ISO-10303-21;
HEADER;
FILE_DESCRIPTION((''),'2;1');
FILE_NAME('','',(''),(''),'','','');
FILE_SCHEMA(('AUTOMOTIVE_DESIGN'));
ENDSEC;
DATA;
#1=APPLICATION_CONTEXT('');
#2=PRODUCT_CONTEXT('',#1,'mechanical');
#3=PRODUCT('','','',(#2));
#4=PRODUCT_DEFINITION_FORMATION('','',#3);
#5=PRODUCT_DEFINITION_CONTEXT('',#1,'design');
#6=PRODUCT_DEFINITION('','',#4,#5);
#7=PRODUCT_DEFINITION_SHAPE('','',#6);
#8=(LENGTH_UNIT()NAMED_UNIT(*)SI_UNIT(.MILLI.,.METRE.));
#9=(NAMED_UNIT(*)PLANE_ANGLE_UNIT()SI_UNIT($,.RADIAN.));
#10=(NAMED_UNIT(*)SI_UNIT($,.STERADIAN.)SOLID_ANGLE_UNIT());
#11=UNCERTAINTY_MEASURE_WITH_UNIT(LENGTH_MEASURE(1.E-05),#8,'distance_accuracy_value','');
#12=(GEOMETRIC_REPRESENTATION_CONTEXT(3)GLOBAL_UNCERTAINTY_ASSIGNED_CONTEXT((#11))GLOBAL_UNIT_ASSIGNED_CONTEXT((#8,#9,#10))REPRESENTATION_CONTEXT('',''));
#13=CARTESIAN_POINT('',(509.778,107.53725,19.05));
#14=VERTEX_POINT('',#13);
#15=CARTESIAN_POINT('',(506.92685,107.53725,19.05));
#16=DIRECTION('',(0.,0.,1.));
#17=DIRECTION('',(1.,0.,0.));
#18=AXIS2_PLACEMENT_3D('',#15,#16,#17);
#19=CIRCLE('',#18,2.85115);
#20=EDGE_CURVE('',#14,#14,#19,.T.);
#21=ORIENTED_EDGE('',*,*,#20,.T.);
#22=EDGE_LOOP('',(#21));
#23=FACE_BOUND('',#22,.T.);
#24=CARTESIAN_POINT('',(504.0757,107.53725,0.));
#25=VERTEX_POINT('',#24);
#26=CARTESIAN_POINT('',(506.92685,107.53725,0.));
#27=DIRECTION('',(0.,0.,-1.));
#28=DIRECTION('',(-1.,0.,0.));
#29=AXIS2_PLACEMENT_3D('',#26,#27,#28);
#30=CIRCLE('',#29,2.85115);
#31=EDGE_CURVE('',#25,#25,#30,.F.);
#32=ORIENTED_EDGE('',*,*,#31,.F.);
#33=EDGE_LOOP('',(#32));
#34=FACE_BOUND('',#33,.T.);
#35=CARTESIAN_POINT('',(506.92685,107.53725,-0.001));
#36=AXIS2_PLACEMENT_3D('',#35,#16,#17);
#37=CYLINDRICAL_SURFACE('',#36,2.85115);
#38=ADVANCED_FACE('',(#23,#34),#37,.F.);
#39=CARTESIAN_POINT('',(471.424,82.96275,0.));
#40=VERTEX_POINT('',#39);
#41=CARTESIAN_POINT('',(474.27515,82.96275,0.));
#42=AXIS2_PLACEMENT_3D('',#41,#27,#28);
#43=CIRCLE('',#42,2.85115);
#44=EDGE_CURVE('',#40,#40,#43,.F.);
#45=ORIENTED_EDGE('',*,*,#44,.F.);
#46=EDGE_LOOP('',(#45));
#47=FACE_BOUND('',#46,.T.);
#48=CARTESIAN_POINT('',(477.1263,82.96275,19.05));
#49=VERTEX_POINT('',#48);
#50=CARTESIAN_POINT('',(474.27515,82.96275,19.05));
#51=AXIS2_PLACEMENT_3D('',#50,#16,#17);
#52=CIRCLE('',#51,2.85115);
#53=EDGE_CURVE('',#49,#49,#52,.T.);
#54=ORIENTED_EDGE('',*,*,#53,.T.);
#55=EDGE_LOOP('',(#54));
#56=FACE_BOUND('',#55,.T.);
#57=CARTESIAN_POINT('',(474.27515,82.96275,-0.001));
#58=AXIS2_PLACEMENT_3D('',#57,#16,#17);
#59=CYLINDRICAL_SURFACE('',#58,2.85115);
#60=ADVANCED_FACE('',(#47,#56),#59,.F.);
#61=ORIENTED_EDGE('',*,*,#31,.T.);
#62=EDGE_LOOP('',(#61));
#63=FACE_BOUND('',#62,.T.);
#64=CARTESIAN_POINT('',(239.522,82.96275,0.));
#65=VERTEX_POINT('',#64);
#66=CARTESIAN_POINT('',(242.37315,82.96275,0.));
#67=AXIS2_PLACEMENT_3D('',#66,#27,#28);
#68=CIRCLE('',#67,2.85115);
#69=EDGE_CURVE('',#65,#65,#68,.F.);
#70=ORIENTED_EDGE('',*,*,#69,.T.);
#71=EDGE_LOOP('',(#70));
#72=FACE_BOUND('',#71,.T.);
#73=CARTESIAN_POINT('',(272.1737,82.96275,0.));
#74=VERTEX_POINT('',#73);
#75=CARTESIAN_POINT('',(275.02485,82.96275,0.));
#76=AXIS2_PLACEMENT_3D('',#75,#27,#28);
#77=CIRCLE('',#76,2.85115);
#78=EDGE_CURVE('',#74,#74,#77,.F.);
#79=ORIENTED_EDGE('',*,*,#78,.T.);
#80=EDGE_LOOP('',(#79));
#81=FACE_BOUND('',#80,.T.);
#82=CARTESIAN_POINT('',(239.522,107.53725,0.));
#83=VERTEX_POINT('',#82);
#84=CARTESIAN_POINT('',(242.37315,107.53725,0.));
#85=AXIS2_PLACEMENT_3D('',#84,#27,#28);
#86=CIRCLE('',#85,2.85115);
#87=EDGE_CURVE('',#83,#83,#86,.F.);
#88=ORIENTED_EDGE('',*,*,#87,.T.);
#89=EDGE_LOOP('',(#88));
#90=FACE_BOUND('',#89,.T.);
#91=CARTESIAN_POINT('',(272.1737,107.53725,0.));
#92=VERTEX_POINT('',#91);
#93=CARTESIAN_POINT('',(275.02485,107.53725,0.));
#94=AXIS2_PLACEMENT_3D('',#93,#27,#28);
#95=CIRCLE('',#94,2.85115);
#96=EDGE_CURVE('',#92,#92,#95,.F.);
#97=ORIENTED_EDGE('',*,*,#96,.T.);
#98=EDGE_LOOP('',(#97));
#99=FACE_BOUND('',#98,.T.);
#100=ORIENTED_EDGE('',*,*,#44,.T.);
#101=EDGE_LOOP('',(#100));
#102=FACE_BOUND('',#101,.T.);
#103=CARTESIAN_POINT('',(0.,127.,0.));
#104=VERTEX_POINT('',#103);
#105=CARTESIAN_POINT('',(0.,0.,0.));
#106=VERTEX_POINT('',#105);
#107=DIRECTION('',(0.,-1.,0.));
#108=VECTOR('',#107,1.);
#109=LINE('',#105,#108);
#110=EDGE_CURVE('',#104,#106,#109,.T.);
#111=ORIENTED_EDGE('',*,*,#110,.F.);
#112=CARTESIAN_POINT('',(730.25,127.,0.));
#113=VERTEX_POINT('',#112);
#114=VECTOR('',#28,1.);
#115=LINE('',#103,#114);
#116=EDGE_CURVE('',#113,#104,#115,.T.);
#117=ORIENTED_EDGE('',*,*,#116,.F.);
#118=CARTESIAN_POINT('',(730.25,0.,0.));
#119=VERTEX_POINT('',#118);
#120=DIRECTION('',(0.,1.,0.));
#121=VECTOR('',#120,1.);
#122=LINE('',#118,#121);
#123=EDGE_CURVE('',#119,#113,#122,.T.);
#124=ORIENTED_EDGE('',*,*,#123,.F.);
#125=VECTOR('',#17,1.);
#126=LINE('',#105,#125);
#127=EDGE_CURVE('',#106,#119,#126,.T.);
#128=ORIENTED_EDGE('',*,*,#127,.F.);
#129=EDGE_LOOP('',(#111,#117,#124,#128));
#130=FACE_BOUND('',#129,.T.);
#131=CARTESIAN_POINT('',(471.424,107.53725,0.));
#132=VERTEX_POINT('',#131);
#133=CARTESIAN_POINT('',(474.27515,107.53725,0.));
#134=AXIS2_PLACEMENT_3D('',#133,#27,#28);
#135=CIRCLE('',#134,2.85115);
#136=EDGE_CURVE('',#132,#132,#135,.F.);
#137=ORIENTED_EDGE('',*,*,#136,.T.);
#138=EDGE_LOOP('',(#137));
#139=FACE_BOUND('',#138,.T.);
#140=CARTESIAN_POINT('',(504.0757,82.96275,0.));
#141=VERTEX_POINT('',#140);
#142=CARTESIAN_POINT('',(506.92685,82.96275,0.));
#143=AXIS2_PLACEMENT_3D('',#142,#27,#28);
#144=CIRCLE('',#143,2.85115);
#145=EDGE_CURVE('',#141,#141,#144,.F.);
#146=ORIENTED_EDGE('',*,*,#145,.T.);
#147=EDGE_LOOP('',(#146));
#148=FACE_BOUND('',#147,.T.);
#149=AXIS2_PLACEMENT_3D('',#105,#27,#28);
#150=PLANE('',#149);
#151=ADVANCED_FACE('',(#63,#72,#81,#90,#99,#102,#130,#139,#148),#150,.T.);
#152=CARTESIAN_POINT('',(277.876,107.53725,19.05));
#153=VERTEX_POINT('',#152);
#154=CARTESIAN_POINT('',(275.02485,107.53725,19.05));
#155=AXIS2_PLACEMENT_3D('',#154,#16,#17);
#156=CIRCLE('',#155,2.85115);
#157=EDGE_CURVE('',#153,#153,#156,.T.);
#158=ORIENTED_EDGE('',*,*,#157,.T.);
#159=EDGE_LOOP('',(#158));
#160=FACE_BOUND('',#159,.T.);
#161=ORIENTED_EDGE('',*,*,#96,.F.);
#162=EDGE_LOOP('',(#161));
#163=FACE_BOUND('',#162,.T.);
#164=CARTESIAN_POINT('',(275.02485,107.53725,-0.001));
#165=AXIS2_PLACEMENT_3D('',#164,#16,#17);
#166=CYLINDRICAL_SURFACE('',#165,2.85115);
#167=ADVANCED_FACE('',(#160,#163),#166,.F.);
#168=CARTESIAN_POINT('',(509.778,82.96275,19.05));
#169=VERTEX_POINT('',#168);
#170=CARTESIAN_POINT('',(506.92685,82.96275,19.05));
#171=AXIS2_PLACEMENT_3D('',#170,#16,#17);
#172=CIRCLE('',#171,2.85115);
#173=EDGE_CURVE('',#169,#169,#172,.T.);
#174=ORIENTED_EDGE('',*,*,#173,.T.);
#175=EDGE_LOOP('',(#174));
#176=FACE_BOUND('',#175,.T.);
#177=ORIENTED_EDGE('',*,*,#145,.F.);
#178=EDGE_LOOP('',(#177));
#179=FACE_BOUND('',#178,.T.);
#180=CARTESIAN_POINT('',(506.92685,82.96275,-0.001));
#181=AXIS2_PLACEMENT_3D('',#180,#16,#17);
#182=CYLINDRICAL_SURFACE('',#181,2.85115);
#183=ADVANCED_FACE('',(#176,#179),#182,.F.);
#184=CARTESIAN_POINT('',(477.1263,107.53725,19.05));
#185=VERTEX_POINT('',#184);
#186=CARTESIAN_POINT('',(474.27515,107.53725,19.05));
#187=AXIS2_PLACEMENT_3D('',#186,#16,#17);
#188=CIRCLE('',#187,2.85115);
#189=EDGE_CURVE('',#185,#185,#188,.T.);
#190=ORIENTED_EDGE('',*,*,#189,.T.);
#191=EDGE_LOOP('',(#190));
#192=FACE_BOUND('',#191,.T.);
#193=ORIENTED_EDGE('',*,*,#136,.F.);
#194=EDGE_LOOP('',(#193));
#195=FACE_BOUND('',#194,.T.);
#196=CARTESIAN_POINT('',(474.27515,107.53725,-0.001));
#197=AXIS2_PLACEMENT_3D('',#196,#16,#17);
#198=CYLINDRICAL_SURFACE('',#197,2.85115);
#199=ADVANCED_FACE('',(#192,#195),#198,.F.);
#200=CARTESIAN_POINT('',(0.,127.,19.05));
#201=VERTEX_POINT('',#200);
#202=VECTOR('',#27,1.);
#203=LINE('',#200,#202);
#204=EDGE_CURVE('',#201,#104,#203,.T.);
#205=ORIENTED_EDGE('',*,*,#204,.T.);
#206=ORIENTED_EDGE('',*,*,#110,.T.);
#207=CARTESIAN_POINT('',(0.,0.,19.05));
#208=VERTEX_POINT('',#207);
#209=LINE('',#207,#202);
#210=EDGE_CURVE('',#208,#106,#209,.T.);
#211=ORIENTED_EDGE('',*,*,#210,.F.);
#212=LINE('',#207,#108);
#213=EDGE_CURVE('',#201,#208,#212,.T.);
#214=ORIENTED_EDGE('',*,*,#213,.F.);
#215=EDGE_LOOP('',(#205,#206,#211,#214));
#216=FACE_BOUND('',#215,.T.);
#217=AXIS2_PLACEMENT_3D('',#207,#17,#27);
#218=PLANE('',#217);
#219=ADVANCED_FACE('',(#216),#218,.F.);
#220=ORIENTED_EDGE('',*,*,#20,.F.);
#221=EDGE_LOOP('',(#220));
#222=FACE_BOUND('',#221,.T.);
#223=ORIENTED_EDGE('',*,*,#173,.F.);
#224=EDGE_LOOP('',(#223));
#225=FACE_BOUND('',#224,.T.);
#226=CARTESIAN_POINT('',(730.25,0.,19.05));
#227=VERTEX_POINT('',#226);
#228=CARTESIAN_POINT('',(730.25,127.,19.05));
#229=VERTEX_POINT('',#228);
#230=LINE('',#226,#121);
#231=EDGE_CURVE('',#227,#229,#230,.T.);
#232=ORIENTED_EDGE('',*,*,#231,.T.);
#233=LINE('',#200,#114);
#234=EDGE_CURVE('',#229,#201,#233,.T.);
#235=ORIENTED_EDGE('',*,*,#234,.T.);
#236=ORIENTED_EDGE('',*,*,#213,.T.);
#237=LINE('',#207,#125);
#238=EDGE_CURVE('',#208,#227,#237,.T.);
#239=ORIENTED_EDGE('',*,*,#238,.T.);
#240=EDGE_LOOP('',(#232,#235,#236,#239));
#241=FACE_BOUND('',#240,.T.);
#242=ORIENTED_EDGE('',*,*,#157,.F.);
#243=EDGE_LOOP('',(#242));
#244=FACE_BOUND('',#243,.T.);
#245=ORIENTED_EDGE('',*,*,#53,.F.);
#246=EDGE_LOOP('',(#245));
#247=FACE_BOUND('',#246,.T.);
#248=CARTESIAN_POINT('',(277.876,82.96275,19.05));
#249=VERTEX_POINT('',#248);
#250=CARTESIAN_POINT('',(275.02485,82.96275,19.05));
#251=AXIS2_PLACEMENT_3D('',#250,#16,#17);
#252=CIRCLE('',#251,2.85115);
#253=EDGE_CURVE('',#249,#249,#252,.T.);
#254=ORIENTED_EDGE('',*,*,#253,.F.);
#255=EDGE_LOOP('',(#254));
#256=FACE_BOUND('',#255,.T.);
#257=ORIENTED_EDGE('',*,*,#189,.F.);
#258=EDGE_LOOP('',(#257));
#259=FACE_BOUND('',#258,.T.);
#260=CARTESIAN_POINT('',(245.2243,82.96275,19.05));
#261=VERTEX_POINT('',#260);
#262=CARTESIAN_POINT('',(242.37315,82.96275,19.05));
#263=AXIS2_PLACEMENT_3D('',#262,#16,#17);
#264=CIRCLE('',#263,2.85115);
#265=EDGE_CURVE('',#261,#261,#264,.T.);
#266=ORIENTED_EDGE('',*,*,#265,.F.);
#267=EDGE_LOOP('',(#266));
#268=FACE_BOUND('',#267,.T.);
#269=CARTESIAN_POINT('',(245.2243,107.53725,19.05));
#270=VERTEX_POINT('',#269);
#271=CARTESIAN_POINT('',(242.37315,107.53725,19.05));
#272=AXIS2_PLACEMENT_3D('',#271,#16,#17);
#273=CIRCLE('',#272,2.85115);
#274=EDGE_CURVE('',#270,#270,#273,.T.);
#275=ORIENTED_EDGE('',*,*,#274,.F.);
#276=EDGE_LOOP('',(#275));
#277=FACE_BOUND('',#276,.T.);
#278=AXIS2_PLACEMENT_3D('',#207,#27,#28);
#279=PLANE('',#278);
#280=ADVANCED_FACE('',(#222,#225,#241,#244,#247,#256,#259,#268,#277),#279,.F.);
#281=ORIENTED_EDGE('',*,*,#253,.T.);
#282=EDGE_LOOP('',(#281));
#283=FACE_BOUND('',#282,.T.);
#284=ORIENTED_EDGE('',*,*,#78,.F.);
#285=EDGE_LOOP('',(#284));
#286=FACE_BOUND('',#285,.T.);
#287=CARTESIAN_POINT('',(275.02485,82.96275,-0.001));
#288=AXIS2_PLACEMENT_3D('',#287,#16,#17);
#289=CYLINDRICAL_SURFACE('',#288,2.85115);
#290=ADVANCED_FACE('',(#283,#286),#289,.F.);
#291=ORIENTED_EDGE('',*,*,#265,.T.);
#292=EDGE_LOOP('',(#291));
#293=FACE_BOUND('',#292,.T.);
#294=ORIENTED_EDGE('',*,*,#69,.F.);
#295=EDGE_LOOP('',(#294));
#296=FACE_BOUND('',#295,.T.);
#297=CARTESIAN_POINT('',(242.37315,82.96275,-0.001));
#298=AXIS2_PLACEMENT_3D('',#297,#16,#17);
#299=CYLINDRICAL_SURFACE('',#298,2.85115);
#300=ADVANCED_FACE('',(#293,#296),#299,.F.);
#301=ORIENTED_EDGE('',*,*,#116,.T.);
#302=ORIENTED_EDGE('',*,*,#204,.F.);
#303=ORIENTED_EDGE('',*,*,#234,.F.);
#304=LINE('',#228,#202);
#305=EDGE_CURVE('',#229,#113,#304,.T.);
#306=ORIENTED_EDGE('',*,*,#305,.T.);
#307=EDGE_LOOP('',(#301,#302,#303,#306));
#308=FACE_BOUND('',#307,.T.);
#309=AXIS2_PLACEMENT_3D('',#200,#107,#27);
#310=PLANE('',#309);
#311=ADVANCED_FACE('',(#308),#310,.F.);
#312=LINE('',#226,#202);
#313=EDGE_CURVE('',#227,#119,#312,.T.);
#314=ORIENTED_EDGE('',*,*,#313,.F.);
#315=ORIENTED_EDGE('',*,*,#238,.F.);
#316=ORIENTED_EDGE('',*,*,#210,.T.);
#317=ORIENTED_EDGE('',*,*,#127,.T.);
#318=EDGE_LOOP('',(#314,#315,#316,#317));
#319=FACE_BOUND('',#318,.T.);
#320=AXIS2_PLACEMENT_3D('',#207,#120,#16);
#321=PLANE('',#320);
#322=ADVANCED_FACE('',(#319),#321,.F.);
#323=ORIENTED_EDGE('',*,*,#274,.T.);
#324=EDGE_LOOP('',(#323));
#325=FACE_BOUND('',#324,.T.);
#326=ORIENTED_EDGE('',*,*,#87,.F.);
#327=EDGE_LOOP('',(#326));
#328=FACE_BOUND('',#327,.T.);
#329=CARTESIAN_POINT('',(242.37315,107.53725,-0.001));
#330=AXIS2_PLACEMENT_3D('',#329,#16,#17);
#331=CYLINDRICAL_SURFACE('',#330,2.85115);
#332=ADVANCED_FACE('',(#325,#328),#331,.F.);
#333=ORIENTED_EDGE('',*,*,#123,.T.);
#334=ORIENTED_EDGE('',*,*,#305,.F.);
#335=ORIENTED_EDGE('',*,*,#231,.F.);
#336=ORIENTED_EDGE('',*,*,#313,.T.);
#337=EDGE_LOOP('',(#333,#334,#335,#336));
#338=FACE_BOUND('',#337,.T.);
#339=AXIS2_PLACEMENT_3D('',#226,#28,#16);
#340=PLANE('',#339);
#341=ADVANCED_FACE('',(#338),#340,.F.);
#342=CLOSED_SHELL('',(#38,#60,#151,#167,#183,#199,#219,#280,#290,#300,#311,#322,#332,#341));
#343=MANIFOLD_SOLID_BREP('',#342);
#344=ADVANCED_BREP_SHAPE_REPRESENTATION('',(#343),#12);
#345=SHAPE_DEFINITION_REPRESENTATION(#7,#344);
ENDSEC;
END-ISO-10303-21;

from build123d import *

# Parameters (mm, degrees)
SKETCH1_W           = 730.25
SKETCH1_H           = 127
BOSS_EXTRUDE1_DEPTH = 19.05
CUT_EXTRUDE1_REACH  = 21.05
SKETCH2_R           = 2.85115


with BuildPart() as part:
    # Sketch1 → Boss-Extrude1 (new body)
    with BuildSketch(Plane.XY):
        with Locations((365.125, 63.5)):
            Rectangle(SKETCH1_W, SKETCH1_H)
    extrude(amount=BOSS_EXTRUDE1_DEPTH)

    # Sketch2 → Cut-Extrude1 (cut, up to next)
    with BuildSketch(Plane.XY.offset(19.05), mode=Mode.PRIVATE) as cut_extrude1_sk1:
        with Locations((242.37315, 82.96275)):
            Circle(SKETCH2_R)
    cut_extrude1_tool1 = extrude(cut_extrude1_sk1.sketch, amount=-CUT_EXTRUDE1_REACH, mode=Mode.PRIVATE) & part.part
    add(cut_extrude1_tool1.solids().sort_by_distance((242.37315, 82.96275, 19.05))[0], mode=Mode.SUBTRACT)
    # Sketch2 → Cut-Extrude1 (cut, up to next)
    with BuildSketch(Plane.XY.offset(19.05), mode=Mode.PRIVATE) as cut_extrude1_sk2:
        with Locations((242.37315, 107.53725)):
            Circle(SKETCH2_R)
    cut_extrude1_tool2 = extrude(cut_extrude1_sk2.sketch, amount=-CUT_EXTRUDE1_REACH, mode=Mode.PRIVATE) & part.part
    add(cut_extrude1_tool2.solids().sort_by_distance((242.37315, 107.53725, 19.05))[0], mode=Mode.SUBTRACT)
    # Sketch2 → Cut-Extrude1 (cut, up to next)
    with BuildSketch(Plane.XY.offset(19.05), mode=Mode.PRIVATE) as cut_extrude1_sk3:
        with Locations((275.02485, 107.53725)):
            Circle(SKETCH2_R)
    cut_extrude1_tool3 = extrude(cut_extrude1_sk3.sketch, amount=-CUT_EXTRUDE1_REACH, mode=Mode.PRIVATE) & part.part
    add(cut_extrude1_tool3.solids().sort_by_distance((275.02485, 107.53725, 19.05))[0], mode=Mode.SUBTRACT)
    # Sketch2 → Cut-Extrude1 (cut, up to next)
    with BuildSketch(Plane.XY.offset(19.05), mode=Mode.PRIVATE) as cut_extrude1_sk4:
        with Locations((275.02485, 82.96275)):
            Circle(SKETCH2_R)
    cut_extrude1_tool4 = extrude(cut_extrude1_sk4.sketch, amount=-CUT_EXTRUDE1_REACH, mode=Mode.PRIVATE) & part.part
    add(cut_extrude1_tool4.solids().sort_by_distance((275.02485, 82.96275, 19.05))[0], mode=Mode.SUBTRACT)
    # Sketch2 → Cut-Extrude1 (cut, up to next)
    with BuildSketch(Plane.XY.offset(19.05), mode=Mode.PRIVATE) as cut_extrude1_sk5:
        with Locations((474.27515, 82.96275)):
            Circle(SKETCH2_R)
    cut_extrude1_tool5 = extrude(cut_extrude1_sk5.sketch, amount=-CUT_EXTRUDE1_REACH, mode=Mode.PRIVATE) & part.part
    add(cut_extrude1_tool5.solids().sort_by_distance((474.27515, 82.96275, 19.05))[0], mode=Mode.SUBTRACT)
    # Sketch2 → Cut-Extrude1 (cut, up to next)
    with BuildSketch(Plane.XY.offset(19.05), mode=Mode.PRIVATE) as cut_extrude1_sk6:
        with Locations((474.27515, 107.53725)):
            Circle(SKETCH2_R)
    cut_extrude1_tool6 = extrude(cut_extrude1_sk6.sketch, amount=-CUT_EXTRUDE1_REACH, mode=Mode.PRIVATE) & part.part
    add(cut_extrude1_tool6.solids().sort_by_distance((474.27515, 107.53725, 19.05))[0], mode=Mode.SUBTRACT)
    # Sketch2 → Cut-Extrude1 (cut, up to next)
    with BuildSketch(Plane.XY.offset(19.05), mode=Mode.PRIVATE) as cut_extrude1_sk7:
        with Locations((506.92685, 107.53725)):
            Circle(SKETCH2_R)
    cut_extrude1_tool7 = extrude(cut_extrude1_sk7.sketch, amount=-CUT_EXTRUDE1_REACH, mode=Mode.PRIVATE) & part.part
    add(cut_extrude1_tool7.solids().sort_by_distance((506.92685, 107.53725, 19.05))[0], mode=Mode.SUBTRACT)
    # Sketch2 → Cut-Extrude1 (cut, up to next)
    with BuildSketch(Plane.XY.offset(19.05), mode=Mode.PRIVATE) as cut_extrude1_sk8:
        with Locations((506.92685, 82.96275)):
            Circle(SKETCH2_R)
    cut_extrude1_tool8 = extrude(cut_extrude1_sk8.sketch, amount=-CUT_EXTRUDE1_REACH, mode=Mode.PRIVATE) & part.part
    add(cut_extrude1_tool8.solids().sort_by_distance((506.92685, 82.96275, 19.05))[0], mode=Mode.SUBTRACT)


solid = part.part
